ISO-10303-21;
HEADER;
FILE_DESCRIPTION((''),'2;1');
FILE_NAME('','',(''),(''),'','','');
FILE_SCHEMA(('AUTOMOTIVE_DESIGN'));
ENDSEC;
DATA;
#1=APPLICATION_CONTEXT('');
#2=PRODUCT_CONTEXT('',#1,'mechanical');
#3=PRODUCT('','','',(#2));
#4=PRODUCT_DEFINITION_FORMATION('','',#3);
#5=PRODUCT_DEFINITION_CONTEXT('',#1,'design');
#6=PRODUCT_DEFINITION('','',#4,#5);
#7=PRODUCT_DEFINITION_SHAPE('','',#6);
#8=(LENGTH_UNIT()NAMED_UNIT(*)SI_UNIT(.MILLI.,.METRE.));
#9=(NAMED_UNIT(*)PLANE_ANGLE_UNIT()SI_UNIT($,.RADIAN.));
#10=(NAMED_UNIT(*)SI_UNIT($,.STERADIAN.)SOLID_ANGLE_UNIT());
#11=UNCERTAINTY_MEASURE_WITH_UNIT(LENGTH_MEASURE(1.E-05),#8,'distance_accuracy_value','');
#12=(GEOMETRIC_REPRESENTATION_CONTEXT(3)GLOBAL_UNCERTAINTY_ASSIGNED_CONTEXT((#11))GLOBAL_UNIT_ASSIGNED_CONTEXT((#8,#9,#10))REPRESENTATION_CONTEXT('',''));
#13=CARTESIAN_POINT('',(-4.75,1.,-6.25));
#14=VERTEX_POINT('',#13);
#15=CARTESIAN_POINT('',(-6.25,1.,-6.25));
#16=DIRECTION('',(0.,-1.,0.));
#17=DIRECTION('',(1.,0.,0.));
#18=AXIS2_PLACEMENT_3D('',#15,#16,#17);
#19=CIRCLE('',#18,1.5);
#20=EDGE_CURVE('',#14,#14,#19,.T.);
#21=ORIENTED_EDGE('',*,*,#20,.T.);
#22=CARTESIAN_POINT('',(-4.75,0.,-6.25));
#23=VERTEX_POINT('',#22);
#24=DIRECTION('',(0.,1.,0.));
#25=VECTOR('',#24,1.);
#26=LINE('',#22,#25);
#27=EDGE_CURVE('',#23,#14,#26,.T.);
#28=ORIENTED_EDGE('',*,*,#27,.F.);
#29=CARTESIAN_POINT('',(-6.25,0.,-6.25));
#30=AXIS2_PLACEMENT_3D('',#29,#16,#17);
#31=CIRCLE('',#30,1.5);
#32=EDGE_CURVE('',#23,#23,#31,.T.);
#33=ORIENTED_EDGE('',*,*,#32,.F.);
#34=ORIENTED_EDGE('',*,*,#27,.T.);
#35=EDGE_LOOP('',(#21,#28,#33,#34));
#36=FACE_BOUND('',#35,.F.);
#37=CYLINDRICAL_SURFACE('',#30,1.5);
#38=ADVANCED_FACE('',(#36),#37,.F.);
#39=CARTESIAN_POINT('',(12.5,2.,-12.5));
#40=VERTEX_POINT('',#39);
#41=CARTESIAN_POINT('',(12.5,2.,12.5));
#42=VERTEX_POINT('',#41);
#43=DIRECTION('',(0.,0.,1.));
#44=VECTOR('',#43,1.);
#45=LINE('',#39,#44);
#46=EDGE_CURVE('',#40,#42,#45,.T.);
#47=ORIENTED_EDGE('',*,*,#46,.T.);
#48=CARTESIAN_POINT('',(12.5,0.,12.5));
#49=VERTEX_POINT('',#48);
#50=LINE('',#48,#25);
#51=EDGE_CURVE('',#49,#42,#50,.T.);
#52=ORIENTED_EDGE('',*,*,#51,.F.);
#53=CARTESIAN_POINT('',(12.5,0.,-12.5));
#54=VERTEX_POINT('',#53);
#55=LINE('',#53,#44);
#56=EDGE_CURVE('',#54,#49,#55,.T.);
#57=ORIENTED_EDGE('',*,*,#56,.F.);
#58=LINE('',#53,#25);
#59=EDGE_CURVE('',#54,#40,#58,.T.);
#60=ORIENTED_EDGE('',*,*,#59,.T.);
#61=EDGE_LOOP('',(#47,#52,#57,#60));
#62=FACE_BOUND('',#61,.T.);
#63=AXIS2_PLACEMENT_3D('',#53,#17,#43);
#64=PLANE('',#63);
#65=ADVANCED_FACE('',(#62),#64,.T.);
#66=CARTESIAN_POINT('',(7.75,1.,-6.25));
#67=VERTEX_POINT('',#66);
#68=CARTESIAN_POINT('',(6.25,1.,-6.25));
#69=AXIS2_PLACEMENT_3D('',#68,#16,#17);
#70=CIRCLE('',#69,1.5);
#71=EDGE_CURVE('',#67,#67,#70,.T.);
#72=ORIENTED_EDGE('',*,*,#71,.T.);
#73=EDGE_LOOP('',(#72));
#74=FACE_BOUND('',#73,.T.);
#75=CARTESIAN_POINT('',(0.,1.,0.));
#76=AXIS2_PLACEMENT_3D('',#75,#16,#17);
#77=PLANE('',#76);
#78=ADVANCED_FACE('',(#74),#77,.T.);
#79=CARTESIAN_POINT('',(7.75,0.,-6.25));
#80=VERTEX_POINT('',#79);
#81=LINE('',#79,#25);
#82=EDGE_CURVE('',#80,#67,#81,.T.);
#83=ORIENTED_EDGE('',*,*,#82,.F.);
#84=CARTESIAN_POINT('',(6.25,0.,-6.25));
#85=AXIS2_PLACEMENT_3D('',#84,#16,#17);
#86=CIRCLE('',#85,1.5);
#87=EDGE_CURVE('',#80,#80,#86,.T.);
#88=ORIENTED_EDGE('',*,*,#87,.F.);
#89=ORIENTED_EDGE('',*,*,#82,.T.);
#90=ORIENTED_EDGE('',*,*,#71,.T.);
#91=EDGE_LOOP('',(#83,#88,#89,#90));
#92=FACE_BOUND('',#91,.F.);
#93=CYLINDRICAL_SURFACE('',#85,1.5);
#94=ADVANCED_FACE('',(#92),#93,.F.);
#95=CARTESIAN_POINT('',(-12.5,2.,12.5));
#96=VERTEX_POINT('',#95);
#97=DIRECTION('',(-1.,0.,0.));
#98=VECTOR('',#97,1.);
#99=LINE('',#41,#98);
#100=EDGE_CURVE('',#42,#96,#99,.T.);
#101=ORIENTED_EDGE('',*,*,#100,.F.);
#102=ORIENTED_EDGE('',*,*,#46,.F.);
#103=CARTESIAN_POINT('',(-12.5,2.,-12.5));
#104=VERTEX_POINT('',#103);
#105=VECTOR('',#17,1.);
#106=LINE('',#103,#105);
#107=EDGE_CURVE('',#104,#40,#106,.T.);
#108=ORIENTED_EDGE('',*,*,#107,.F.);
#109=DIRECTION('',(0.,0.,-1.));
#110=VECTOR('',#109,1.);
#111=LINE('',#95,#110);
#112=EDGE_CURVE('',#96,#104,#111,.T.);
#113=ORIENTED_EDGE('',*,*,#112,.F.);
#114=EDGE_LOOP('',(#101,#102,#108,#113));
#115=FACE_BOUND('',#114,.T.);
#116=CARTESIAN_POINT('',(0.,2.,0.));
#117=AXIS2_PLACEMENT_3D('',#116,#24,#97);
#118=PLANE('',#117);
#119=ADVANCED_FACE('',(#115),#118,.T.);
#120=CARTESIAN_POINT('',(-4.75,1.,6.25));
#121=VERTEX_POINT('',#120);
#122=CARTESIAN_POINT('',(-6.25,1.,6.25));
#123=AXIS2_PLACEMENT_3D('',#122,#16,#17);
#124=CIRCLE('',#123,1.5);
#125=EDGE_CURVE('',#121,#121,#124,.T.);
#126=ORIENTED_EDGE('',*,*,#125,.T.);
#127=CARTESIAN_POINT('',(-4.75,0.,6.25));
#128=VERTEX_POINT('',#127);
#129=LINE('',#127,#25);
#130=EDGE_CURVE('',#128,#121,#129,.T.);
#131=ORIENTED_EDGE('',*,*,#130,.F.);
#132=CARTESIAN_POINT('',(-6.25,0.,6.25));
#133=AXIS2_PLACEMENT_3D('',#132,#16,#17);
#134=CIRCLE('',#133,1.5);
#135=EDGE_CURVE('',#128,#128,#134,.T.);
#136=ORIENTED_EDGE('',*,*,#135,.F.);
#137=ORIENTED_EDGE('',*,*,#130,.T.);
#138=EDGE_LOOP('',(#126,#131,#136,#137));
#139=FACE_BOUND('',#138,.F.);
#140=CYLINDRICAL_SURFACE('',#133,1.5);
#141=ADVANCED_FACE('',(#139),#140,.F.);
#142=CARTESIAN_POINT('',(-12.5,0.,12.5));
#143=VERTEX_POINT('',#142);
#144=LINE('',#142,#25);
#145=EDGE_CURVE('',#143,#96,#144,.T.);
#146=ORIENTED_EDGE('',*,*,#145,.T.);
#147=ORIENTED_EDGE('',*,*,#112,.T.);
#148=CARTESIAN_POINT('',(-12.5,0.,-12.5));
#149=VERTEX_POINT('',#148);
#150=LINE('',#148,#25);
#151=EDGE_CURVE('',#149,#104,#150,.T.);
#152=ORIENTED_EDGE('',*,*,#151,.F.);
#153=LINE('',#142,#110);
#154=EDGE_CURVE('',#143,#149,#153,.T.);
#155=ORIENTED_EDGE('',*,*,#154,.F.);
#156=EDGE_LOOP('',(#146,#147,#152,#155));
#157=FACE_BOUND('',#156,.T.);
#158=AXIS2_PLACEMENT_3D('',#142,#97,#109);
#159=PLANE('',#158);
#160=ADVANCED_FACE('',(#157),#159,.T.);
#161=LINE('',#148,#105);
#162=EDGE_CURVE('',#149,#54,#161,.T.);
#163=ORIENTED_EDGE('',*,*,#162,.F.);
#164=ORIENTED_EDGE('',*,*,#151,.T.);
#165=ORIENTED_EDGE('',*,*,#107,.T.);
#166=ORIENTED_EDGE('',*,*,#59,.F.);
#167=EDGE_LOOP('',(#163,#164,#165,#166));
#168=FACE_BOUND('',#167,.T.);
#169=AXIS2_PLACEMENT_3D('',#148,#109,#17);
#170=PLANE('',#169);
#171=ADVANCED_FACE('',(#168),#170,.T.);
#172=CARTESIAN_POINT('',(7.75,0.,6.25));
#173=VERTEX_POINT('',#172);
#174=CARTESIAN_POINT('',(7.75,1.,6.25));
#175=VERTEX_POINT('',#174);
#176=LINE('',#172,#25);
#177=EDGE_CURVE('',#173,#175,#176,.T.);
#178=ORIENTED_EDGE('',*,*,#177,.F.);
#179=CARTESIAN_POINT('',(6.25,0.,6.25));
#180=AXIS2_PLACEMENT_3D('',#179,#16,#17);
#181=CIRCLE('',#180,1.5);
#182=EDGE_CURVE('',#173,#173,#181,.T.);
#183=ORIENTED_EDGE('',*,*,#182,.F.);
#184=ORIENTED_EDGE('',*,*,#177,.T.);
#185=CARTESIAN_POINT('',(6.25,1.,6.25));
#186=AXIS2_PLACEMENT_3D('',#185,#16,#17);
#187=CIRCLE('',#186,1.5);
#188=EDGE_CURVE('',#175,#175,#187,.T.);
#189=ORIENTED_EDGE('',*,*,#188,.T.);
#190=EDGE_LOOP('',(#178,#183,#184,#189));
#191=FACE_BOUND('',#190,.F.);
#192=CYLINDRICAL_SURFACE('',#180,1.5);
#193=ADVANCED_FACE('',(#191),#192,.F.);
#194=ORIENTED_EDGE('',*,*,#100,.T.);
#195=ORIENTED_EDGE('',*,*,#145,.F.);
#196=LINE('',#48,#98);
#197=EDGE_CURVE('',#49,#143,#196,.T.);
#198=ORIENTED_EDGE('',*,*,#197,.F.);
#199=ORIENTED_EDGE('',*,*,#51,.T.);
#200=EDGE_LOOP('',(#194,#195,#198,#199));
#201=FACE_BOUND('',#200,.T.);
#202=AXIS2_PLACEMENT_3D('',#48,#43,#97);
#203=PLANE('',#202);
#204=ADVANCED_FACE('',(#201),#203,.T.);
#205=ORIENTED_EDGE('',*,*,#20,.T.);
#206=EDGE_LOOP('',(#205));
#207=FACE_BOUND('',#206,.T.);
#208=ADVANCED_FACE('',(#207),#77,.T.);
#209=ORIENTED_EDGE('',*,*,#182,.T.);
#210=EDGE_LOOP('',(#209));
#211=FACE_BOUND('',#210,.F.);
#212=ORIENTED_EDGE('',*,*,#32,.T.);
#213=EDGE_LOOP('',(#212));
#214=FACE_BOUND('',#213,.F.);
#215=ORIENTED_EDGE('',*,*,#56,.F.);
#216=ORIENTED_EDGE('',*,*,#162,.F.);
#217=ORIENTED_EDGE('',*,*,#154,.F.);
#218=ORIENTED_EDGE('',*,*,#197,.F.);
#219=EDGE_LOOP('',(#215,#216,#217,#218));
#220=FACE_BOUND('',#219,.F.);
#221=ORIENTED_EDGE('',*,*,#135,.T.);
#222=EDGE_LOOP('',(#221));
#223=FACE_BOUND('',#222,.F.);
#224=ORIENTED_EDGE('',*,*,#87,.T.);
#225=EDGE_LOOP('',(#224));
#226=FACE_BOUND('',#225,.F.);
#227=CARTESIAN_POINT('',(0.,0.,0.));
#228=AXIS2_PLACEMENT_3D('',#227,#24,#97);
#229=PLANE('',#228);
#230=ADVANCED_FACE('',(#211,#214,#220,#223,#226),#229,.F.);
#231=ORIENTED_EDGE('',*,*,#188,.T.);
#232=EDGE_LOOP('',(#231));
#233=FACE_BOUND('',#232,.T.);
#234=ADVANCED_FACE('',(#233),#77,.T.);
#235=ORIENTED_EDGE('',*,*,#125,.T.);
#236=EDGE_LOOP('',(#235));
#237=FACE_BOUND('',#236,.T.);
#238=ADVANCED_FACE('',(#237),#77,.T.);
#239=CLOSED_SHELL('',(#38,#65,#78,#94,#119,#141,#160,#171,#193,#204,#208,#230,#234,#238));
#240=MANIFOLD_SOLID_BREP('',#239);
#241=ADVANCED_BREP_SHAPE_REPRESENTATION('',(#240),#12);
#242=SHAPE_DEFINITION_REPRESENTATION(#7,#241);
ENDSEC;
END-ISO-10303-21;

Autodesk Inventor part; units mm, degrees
ref_plane "YZ Plane" through (0, 0, 0) normal (1, 0, 0) x (0, 1, 0)
ref_plane "XZ Plane" through (0, 0, 0) normal (0, 1, 0) x (-1, 0, 0)
ref_plane "XY Plane" through (0, 0, 0) normal (0, 0, 1) x (1, 0, 0)
sketch "Sketch1" plane through (0, 0, 0) normal (0, 1, 0) x (-1, 0, 0)
  line L0 (12.5, -12.5) -> (-12.5, -12.5)
  line L1 (-12.5, -12.5) -> (-12.5, 12.5)
  line L2 (-12.5, 12.5) -> (12.5, 12.5)
  line L3 (12.5, 12.5) -> (12.5, -12.5)
  line L4 (12.5, -12.5) -> (-12.5, 12.5) construction
  line L5 (-12.5, -12.5) -> (12.5, 12.5) construction
  point P0 (0, 0)
  dimension "d0" = 25
  dimension "d1" = 25
extrude "Extrusion1" add sketch "Sketch1" along normal blind 2
sketch "Sketch2" plane through (0, 0, 0) normal (0, -1, 0) x (1, 0, 0)
  line L0 (-12.5, -12.5) -> (-12.5, 12.5) construction
  line L1 (-12.5, 12.5) -> (0, 0) construction
  line L2 (-12.5, 0) -> (0, 12.5) construction
  line L3 (-12.5, 12.5) -> (12.5, 12.5) construction
  circle A0 centre (-6.25, 6.25) radius 1.5
  line L4 (0, 12.5) -> (0, 0) construction
  line L5 (0, 0) -> (-12.5, 0) construction
  circle A1 centre (6.25, 6.25) radius 1.5
  circle A2 centre (-6.25, -6.25) radius 1.5
  circle A3 centre (6.25, -6.25) radius 1.5
  dimension "d4" = 3
extrude "Extrusion2" cut sketch "Sketch2" against normal blind 1
equation "\"d0\" = 0.125 * chessboard_length"
equation "\"d1\" = 0.125 * chessboard_width"
equation "\"d2\" = square_thickness"
equation "\"d4\" = peg_diameter"
equation "\"d5\" = peg_height"
equation "\"square_thickness\" = 2"
equation "\"chessboard_length\" = 200"
equation "\"chessboard_width\" = 200"
equation "\"peg_diameter\" = 3"
equation "\"peg_height\" = 1"
properties part number "White Square" material "ABS Plastic"
